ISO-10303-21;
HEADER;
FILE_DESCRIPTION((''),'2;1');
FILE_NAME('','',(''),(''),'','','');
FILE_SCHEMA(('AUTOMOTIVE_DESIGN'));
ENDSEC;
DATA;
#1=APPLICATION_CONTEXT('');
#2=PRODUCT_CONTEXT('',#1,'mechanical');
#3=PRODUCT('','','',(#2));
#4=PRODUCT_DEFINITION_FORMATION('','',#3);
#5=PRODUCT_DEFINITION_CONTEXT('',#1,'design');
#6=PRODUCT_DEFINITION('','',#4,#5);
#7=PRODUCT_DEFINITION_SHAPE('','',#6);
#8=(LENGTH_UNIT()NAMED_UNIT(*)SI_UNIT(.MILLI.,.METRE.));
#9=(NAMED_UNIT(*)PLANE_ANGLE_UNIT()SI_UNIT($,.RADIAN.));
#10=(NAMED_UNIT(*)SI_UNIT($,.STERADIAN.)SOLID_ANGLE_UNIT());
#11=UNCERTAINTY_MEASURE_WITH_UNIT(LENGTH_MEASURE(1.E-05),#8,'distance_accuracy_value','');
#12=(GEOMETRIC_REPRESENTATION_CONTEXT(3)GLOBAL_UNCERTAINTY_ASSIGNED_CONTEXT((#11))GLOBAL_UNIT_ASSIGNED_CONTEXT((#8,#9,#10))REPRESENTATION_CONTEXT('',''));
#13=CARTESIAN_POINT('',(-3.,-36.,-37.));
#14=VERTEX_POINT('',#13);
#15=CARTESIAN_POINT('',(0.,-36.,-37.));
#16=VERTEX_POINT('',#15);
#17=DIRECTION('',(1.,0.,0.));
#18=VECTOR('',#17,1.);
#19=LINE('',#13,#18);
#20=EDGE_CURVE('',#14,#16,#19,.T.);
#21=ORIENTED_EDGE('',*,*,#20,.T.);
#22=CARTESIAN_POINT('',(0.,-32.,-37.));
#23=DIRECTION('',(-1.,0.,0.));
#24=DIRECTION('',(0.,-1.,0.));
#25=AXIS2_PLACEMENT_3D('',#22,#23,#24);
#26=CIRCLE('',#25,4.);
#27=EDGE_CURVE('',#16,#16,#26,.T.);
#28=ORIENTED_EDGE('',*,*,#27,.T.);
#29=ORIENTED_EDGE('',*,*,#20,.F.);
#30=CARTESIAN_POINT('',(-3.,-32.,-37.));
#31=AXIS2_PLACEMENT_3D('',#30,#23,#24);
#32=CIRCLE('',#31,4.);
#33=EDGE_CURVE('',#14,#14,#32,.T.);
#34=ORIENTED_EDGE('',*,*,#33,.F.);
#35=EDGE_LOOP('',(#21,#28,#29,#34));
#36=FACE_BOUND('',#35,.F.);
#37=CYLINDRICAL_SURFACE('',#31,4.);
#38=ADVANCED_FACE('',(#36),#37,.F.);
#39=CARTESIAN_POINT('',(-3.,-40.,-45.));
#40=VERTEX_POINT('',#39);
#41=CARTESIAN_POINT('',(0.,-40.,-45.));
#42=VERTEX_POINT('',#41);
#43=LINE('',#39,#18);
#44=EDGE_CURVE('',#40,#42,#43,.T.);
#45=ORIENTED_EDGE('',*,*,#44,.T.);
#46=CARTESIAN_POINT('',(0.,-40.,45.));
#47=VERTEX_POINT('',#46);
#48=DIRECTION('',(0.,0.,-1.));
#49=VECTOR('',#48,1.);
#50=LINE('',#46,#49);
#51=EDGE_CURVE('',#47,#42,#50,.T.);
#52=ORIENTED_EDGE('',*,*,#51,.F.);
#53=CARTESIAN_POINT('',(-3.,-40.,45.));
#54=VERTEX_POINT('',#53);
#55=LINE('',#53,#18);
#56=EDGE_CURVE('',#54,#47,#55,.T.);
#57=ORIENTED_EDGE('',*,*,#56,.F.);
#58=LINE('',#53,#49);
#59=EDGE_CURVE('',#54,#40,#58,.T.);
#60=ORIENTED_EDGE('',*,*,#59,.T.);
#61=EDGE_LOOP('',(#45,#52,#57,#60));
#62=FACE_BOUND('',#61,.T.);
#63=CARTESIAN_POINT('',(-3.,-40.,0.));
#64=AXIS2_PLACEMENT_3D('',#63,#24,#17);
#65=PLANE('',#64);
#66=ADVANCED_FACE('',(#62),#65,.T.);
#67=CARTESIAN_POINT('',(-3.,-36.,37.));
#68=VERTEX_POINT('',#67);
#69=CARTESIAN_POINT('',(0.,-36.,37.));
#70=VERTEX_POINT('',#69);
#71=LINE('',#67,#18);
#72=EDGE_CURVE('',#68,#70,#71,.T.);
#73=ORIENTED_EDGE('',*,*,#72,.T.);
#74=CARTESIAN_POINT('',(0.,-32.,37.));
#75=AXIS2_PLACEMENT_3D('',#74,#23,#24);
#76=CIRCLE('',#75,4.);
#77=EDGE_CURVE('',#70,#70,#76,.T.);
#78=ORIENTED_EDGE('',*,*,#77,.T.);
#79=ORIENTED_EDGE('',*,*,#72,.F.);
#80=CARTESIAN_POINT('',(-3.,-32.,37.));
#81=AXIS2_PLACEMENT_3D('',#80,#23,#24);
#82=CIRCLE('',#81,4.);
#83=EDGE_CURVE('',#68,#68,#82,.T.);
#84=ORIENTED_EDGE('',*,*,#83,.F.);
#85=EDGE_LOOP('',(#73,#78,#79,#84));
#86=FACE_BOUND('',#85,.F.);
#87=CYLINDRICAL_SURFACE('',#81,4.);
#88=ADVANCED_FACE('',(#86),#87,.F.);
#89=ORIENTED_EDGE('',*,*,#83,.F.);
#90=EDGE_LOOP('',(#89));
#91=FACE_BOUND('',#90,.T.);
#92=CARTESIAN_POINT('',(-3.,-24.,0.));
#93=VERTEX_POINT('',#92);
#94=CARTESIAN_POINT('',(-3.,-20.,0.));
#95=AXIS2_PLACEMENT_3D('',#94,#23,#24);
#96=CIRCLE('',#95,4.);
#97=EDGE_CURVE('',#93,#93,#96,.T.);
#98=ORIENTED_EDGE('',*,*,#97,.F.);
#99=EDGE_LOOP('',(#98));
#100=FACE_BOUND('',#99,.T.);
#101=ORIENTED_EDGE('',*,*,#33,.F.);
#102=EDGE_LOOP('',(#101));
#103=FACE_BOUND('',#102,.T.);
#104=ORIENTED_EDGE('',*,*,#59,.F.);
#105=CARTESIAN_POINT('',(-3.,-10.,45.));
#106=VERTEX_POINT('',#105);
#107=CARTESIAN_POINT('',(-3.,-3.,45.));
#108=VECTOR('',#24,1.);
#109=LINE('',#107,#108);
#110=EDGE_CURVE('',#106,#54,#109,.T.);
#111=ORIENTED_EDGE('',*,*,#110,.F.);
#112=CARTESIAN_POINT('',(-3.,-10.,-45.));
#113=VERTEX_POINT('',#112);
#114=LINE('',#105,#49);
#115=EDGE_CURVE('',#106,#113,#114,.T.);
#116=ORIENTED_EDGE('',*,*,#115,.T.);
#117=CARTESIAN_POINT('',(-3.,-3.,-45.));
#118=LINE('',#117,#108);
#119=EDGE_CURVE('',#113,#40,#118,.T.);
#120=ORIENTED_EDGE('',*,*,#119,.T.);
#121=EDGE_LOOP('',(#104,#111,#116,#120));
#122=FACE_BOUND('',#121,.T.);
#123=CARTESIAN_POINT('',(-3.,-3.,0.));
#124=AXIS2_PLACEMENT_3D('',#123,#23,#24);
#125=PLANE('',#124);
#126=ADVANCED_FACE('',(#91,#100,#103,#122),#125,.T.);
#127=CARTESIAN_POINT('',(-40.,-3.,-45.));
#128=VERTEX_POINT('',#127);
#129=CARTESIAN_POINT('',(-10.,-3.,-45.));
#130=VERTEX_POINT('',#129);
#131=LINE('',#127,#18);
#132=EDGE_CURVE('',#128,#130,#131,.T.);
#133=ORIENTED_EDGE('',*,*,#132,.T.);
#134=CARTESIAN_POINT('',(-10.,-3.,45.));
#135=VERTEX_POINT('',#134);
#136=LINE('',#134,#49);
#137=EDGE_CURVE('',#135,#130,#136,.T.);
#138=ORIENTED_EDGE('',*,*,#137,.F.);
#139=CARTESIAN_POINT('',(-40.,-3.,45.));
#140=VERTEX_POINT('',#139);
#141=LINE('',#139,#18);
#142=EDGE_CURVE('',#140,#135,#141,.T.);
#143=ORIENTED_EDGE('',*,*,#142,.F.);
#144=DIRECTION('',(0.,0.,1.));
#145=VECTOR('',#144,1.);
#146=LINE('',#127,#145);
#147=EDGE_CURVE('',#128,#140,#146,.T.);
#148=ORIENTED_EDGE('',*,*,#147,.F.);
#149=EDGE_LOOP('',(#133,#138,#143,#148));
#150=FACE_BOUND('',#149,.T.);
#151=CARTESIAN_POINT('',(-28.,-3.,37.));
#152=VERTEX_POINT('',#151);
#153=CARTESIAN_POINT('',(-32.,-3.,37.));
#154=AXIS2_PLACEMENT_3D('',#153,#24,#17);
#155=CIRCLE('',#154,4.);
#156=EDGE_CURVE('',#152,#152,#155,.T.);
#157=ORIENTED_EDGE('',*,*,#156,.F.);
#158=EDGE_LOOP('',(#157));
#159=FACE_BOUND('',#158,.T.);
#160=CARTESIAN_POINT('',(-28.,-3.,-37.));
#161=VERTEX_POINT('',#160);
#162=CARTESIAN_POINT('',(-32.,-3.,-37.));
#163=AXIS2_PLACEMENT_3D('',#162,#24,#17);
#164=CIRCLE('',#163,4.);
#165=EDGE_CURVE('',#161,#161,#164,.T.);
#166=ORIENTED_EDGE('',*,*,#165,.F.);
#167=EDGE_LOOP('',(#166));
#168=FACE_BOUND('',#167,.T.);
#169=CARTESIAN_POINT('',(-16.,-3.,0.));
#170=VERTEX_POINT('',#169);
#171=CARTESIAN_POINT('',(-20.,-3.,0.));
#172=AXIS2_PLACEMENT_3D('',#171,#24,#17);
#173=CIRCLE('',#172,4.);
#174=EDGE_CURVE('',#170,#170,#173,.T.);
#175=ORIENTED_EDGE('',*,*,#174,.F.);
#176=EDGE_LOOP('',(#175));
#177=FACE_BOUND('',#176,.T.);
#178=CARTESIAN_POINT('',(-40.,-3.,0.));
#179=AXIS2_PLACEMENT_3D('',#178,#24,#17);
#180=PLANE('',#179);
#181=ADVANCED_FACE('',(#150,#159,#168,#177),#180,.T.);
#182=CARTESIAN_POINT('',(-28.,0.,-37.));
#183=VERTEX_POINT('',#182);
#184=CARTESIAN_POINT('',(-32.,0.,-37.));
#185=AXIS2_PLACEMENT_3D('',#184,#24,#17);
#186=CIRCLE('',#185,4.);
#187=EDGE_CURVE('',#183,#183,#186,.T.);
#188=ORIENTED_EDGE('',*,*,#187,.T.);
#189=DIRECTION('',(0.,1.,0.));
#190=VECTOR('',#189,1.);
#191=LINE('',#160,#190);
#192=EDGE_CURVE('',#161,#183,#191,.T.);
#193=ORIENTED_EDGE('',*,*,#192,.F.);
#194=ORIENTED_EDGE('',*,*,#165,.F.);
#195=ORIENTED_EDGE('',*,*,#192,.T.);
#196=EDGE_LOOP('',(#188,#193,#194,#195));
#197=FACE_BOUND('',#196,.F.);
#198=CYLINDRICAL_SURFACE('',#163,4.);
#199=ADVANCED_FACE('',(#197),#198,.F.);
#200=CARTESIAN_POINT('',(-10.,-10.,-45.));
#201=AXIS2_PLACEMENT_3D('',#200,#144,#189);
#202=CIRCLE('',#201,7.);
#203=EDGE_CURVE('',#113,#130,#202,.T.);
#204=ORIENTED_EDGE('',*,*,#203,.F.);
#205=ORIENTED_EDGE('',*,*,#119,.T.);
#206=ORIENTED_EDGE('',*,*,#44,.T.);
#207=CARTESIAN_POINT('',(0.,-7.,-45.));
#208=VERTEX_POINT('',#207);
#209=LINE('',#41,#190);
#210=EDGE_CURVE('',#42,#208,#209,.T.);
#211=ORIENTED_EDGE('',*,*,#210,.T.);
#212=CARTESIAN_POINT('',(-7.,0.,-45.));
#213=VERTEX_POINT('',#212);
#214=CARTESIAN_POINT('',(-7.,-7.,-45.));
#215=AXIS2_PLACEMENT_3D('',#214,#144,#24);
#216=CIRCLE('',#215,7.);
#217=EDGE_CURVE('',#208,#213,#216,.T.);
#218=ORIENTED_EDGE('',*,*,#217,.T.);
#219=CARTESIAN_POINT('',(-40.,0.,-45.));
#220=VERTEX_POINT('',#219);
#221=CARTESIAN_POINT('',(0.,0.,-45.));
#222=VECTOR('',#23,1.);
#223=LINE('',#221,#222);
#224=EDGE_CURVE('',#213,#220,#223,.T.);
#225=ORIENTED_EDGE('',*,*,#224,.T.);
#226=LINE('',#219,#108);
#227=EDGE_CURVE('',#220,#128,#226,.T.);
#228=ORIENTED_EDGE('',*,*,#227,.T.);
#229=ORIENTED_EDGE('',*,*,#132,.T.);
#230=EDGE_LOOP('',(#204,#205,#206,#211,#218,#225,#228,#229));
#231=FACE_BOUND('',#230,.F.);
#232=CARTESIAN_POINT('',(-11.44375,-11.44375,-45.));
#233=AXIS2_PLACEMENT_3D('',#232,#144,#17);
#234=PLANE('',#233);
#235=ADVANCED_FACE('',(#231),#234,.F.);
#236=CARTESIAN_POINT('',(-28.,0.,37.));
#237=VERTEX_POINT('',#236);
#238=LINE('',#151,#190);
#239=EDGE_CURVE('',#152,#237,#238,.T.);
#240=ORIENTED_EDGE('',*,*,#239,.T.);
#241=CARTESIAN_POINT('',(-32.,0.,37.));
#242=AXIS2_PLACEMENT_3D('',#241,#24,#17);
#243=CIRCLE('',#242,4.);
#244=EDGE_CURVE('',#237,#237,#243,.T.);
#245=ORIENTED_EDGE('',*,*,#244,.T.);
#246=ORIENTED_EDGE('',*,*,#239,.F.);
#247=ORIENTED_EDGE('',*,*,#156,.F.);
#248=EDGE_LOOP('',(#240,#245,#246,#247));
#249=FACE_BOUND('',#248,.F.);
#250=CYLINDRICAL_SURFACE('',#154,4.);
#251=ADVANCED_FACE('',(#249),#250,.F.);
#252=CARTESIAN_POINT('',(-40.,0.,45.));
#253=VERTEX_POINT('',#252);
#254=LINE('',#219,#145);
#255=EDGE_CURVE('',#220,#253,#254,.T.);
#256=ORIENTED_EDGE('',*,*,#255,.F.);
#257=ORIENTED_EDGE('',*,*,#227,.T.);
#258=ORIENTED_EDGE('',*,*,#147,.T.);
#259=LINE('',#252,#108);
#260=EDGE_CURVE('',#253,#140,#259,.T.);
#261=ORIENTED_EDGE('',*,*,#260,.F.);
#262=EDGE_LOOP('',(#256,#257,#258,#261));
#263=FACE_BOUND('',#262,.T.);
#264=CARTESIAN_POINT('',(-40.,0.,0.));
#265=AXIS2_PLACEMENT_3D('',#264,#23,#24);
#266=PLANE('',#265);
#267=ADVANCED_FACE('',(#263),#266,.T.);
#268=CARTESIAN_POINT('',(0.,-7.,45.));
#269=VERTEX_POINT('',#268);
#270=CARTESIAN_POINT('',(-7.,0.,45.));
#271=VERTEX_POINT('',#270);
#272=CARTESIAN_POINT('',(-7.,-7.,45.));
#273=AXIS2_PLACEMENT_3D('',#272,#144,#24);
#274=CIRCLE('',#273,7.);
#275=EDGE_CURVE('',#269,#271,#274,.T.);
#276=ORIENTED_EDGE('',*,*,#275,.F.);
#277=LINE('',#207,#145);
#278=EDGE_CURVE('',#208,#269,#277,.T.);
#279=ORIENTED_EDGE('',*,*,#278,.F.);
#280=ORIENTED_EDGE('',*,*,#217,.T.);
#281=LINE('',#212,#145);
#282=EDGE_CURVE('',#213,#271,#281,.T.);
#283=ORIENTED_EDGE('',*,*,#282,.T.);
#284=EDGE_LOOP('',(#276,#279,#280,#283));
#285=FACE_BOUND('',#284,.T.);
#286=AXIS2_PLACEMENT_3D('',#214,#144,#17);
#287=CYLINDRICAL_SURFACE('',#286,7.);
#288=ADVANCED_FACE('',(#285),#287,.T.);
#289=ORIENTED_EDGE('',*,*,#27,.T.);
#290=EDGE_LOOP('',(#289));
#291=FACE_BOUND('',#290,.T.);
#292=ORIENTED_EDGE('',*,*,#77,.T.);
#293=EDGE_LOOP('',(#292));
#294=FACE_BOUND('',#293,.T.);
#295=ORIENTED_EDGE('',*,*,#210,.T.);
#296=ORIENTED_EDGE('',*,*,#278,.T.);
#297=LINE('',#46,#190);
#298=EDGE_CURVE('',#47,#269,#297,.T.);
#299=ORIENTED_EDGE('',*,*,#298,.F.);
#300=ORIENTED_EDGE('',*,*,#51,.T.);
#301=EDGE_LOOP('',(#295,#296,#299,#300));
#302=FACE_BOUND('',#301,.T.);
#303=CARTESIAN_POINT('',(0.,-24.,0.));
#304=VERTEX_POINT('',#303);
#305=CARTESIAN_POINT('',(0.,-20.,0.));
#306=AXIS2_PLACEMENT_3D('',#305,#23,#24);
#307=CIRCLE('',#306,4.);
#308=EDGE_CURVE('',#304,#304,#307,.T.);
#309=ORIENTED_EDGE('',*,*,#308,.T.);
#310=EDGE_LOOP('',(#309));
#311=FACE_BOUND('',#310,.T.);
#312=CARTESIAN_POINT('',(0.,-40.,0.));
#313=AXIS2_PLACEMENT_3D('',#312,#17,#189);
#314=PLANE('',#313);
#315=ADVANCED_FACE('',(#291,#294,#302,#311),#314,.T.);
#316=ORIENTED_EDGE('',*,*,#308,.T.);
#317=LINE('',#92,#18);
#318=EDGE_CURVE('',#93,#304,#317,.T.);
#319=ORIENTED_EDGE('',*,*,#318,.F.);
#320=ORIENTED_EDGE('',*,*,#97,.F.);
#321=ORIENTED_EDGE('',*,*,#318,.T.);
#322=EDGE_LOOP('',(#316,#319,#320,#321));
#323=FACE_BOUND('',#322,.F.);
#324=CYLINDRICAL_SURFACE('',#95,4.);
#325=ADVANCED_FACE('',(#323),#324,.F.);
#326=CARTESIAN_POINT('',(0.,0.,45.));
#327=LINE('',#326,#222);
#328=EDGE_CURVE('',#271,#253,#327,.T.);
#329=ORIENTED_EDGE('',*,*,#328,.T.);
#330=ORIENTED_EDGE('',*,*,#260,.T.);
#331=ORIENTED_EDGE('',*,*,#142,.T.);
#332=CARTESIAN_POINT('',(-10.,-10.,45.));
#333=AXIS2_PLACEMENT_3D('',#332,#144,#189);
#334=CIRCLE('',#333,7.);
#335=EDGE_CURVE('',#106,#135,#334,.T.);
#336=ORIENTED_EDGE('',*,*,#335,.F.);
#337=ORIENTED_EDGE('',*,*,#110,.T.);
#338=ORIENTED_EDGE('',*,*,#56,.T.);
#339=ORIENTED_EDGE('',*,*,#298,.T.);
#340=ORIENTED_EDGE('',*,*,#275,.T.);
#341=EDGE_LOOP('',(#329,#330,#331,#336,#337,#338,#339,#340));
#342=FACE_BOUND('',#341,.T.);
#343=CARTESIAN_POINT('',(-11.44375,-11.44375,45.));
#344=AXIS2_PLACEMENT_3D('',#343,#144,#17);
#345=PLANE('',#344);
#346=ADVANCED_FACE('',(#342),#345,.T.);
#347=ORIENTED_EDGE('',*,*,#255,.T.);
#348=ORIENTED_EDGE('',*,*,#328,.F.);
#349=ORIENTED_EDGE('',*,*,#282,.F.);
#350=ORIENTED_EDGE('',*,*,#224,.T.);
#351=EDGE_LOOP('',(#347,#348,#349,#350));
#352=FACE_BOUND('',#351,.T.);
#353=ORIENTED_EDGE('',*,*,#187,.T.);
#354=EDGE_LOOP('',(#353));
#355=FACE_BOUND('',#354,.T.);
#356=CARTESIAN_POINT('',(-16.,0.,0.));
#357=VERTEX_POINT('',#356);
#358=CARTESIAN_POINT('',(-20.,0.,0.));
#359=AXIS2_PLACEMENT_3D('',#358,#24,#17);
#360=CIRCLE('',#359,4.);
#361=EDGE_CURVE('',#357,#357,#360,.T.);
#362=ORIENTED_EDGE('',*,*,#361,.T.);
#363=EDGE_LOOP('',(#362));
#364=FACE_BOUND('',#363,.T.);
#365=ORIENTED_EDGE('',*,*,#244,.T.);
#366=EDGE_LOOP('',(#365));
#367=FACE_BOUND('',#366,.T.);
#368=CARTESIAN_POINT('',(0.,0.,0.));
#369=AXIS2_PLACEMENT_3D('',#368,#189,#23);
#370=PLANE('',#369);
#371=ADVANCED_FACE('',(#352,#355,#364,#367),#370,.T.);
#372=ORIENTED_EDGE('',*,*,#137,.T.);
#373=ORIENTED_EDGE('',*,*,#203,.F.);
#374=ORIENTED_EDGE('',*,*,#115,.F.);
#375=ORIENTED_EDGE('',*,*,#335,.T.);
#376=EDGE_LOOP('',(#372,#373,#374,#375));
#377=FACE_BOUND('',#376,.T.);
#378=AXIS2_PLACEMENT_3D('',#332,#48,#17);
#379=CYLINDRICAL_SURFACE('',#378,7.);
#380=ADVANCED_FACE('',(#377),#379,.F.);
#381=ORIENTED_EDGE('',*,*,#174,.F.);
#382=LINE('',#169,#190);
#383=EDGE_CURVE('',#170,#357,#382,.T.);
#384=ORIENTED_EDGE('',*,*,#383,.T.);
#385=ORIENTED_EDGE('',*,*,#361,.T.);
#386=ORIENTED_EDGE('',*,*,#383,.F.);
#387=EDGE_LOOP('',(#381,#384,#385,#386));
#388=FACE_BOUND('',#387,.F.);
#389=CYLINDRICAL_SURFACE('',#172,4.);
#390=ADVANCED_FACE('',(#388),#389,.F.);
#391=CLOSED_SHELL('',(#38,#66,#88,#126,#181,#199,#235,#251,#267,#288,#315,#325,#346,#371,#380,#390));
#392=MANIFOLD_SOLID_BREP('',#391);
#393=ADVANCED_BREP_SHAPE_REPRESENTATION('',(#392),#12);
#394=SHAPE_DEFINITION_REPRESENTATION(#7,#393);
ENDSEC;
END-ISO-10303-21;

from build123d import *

# Parameters (mm, degrees)
F1_DEPTH = 45
F2_R     = 7
F3_R     = 4
F4_DEPTH = 3.001
F5_R     = 4
F6_DEPTH = 3.001


with BuildPart() as f1:
    # F0 (on Top) → F1 (new body, symmetric)
    with BuildSketch(Plane.XY):
        Polygon((0, -40), (0, 0), (-40, 0), (-40, -3), (-3, -3), (-3, -40), align=None)
    extrude(amount=F1_DEPTH, both=True)

    # F2
    f2_edges = [f1.edges().sort_by_distance(p)[0] for p in [
        (-3, -3, 0),
        (0, 0, 0),
    ]]
    fillet(f2_edges, radius=F2_R)

    # F3 (on face) → F4 (cut, through all)
    with BuildSketch(Plane.XZ.offset(3)):
        with Locations((-32, 37)):
            Circle(F3_R)
        with Locations((-20, 0)):
            Circle(F3_R)
        with Locations((-32, -37)):
            Circle(F3_R)
    extrude(amount=-F4_DEPTH, mode=Mode.SUBTRACT)

    # F5 (on face) → F6 (cut, through all)
    with BuildSketch(Plane(origin=(-3, 0, 0), x_dir=(0, -1, 0), z_dir=(-1, 0, 0))):
        with Locations((32, 37)):
            Circle(F5_R)
        with Locations((20, 0)):
            Circle(F5_R)
        with Locations((32, -37)):
            Circle(F5_R)
    extrude(amount=-F6_DEPTH, mode=Mode.SUBTRACT)


solid = f1.part
